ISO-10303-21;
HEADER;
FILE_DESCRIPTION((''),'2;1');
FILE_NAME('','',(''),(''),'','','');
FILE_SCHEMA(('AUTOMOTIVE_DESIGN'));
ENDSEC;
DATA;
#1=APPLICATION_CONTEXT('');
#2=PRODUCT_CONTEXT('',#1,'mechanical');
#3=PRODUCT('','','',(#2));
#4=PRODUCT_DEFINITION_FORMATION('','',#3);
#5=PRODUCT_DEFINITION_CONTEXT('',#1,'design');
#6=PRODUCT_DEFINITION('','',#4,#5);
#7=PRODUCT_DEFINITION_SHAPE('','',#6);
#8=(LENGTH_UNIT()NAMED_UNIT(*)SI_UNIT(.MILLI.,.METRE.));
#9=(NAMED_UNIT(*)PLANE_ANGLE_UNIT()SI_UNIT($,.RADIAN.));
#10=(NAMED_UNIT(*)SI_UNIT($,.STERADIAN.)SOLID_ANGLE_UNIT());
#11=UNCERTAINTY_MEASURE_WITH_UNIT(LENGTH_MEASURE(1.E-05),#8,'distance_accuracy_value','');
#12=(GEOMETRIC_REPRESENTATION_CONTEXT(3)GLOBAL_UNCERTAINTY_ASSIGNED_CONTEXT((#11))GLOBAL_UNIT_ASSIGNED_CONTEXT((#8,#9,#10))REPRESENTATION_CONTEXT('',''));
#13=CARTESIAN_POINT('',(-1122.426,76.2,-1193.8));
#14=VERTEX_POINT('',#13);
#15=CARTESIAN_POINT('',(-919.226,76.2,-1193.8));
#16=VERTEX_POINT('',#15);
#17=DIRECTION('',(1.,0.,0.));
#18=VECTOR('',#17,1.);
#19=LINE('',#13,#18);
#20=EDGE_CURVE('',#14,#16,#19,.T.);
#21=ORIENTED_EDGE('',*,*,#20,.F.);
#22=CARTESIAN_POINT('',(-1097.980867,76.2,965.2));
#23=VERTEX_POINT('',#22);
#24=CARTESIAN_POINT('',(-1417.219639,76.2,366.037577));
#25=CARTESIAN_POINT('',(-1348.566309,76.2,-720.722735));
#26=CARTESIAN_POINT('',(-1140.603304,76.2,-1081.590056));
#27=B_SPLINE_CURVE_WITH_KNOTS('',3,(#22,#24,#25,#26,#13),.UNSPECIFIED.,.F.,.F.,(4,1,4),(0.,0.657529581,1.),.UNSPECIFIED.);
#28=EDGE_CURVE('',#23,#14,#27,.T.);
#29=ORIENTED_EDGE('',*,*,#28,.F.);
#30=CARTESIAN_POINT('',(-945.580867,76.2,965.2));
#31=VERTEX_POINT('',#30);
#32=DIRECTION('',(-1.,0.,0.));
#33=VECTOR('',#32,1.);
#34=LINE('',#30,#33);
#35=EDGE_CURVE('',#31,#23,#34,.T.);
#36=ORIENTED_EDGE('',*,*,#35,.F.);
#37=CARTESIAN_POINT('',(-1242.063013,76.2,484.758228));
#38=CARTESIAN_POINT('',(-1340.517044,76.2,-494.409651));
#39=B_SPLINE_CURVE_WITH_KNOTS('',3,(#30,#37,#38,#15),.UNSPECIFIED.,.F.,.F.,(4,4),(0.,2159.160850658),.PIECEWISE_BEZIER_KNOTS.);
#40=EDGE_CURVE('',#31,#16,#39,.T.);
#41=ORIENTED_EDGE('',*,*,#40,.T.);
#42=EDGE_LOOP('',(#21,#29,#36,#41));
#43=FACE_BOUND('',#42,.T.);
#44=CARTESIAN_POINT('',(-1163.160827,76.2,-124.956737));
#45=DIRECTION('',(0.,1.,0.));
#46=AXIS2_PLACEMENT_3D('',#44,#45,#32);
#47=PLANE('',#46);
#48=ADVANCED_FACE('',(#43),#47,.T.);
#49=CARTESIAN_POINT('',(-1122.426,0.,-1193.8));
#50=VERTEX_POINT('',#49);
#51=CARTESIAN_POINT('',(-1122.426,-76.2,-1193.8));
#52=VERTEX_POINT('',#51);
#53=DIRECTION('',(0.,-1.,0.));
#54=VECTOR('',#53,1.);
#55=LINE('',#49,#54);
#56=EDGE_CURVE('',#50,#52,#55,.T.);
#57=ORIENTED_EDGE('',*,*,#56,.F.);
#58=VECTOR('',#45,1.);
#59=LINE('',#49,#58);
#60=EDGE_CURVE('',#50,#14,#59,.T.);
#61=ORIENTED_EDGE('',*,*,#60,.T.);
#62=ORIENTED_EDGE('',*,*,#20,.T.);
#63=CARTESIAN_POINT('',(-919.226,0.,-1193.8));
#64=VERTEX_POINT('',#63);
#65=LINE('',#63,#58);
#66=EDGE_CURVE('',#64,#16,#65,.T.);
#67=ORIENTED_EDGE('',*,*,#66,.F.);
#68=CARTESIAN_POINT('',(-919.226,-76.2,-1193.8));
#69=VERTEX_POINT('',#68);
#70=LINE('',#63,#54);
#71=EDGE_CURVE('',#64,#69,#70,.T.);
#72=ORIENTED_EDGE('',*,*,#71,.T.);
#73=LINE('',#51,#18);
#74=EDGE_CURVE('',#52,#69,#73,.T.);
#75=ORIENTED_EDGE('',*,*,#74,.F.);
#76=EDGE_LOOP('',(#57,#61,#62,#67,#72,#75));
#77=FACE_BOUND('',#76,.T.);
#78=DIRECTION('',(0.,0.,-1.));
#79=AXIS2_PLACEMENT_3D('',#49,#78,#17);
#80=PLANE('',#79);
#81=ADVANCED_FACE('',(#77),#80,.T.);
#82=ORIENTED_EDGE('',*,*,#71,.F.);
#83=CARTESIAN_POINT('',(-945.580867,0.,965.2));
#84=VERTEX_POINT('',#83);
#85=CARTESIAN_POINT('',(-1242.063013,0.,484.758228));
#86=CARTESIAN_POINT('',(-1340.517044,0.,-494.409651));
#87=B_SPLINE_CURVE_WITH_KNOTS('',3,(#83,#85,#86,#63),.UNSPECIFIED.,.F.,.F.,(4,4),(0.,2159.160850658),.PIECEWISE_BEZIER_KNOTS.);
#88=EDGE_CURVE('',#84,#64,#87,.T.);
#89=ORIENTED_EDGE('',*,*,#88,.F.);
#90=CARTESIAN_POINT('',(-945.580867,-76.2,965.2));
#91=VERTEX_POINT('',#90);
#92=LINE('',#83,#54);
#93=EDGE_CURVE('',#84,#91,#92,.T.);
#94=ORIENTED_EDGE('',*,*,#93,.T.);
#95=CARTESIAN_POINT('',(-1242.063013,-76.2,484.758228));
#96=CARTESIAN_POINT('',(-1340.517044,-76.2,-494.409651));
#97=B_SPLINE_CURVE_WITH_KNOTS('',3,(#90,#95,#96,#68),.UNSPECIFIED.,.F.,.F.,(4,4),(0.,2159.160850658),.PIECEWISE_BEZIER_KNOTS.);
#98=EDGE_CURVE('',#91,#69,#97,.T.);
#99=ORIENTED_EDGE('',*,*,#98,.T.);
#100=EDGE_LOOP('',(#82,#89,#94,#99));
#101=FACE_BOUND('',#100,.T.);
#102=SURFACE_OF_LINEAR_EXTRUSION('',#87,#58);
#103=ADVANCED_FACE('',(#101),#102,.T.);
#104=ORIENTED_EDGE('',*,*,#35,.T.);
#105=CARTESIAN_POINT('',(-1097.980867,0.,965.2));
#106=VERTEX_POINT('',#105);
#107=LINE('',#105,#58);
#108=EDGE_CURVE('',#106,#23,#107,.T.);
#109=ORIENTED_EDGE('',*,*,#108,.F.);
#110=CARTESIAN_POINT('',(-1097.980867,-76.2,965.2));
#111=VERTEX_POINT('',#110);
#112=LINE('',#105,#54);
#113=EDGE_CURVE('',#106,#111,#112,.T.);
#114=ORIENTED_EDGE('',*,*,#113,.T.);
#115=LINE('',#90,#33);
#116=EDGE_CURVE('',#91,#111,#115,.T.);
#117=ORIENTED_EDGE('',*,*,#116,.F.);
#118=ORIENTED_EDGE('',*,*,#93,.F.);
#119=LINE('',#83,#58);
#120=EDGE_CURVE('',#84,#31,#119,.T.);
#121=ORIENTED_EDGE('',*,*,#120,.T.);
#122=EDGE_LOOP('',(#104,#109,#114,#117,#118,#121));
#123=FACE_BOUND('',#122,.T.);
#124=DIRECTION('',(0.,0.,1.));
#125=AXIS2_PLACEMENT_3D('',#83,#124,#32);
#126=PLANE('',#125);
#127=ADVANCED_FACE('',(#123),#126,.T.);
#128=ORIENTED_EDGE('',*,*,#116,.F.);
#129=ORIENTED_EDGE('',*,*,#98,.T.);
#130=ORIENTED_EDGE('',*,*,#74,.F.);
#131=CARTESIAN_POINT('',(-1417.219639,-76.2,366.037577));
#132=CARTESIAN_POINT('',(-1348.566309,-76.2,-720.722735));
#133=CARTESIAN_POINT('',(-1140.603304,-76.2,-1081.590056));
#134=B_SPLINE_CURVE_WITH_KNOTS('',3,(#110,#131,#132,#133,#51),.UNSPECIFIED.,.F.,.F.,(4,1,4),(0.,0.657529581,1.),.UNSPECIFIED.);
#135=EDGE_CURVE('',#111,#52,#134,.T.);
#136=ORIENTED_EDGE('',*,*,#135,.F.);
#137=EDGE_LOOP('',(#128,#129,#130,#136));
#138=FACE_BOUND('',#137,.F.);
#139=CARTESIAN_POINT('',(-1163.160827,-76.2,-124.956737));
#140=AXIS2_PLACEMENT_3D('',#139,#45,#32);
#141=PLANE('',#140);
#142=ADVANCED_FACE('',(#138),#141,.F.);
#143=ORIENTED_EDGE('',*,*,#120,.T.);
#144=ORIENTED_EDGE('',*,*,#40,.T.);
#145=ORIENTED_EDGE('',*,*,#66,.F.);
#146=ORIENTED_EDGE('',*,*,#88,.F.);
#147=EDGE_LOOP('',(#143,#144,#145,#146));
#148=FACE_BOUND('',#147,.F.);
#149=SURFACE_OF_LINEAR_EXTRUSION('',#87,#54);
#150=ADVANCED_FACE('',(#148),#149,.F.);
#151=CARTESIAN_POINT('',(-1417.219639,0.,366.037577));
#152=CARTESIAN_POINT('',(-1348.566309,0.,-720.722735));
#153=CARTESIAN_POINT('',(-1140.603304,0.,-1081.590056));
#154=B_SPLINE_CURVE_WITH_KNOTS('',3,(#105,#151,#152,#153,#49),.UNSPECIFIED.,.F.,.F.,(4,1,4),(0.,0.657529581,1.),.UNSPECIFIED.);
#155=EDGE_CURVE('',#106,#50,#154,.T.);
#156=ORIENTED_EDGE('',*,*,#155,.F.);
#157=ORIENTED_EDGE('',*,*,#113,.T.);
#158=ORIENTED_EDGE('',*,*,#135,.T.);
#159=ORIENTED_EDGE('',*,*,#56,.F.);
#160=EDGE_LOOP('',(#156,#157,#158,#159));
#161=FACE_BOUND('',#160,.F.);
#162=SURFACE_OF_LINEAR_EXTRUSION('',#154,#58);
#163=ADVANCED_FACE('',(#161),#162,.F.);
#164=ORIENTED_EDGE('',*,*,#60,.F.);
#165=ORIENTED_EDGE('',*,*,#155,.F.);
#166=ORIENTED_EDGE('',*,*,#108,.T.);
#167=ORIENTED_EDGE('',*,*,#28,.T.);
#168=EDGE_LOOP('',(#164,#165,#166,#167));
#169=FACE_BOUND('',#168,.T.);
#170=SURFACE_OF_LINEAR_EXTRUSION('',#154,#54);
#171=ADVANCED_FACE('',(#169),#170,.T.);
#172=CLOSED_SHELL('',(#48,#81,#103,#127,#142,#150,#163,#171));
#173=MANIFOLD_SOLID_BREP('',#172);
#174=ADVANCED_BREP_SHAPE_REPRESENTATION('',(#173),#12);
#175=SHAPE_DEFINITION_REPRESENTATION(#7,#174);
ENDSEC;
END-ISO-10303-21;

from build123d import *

# Parameters (mm, degrees)
F1_DEPTH = 76.2


with BuildPart() as f1:
    # F0 (on Front) → F1 (new body, symmetric)
    with BuildSketch(Plane.XZ):
        with BuildLine():
            add(Edge.make_bspline(
                [(-945.5808670162, 965.2), (-1242.0630128025, 484.7582280636), (-1340.5170440674, -494.4096505642), (-919.226, -1193.8)],
                knots=[0, 0, 0, 0, 2159.1608506583, 2159.1608506583, 2159.1608506583, 2159.1608506583], degree=3))
            Line((-945.5808670162, 965.2), (-1097.9808670162, 965.2))
            add(Edge.make_bspline(
                [(-1097.9808670162, 965.2), (-1417.2196388245, 366.0375773907), (-1348.5663086676, -720.7227352137), (-1140.6033039093, -1081.5900564194), (-1122.426, -1193.8)],
                knots=[0, 0, 0, 0, 0.6575295809, 1, 1, 1, 1], degree=3))
            Line((-1122.426, -1193.8), (-919.226, -1193.8))
        make_face()
    extrude(amount=F1_DEPTH, both=True)


solid = f1.part
